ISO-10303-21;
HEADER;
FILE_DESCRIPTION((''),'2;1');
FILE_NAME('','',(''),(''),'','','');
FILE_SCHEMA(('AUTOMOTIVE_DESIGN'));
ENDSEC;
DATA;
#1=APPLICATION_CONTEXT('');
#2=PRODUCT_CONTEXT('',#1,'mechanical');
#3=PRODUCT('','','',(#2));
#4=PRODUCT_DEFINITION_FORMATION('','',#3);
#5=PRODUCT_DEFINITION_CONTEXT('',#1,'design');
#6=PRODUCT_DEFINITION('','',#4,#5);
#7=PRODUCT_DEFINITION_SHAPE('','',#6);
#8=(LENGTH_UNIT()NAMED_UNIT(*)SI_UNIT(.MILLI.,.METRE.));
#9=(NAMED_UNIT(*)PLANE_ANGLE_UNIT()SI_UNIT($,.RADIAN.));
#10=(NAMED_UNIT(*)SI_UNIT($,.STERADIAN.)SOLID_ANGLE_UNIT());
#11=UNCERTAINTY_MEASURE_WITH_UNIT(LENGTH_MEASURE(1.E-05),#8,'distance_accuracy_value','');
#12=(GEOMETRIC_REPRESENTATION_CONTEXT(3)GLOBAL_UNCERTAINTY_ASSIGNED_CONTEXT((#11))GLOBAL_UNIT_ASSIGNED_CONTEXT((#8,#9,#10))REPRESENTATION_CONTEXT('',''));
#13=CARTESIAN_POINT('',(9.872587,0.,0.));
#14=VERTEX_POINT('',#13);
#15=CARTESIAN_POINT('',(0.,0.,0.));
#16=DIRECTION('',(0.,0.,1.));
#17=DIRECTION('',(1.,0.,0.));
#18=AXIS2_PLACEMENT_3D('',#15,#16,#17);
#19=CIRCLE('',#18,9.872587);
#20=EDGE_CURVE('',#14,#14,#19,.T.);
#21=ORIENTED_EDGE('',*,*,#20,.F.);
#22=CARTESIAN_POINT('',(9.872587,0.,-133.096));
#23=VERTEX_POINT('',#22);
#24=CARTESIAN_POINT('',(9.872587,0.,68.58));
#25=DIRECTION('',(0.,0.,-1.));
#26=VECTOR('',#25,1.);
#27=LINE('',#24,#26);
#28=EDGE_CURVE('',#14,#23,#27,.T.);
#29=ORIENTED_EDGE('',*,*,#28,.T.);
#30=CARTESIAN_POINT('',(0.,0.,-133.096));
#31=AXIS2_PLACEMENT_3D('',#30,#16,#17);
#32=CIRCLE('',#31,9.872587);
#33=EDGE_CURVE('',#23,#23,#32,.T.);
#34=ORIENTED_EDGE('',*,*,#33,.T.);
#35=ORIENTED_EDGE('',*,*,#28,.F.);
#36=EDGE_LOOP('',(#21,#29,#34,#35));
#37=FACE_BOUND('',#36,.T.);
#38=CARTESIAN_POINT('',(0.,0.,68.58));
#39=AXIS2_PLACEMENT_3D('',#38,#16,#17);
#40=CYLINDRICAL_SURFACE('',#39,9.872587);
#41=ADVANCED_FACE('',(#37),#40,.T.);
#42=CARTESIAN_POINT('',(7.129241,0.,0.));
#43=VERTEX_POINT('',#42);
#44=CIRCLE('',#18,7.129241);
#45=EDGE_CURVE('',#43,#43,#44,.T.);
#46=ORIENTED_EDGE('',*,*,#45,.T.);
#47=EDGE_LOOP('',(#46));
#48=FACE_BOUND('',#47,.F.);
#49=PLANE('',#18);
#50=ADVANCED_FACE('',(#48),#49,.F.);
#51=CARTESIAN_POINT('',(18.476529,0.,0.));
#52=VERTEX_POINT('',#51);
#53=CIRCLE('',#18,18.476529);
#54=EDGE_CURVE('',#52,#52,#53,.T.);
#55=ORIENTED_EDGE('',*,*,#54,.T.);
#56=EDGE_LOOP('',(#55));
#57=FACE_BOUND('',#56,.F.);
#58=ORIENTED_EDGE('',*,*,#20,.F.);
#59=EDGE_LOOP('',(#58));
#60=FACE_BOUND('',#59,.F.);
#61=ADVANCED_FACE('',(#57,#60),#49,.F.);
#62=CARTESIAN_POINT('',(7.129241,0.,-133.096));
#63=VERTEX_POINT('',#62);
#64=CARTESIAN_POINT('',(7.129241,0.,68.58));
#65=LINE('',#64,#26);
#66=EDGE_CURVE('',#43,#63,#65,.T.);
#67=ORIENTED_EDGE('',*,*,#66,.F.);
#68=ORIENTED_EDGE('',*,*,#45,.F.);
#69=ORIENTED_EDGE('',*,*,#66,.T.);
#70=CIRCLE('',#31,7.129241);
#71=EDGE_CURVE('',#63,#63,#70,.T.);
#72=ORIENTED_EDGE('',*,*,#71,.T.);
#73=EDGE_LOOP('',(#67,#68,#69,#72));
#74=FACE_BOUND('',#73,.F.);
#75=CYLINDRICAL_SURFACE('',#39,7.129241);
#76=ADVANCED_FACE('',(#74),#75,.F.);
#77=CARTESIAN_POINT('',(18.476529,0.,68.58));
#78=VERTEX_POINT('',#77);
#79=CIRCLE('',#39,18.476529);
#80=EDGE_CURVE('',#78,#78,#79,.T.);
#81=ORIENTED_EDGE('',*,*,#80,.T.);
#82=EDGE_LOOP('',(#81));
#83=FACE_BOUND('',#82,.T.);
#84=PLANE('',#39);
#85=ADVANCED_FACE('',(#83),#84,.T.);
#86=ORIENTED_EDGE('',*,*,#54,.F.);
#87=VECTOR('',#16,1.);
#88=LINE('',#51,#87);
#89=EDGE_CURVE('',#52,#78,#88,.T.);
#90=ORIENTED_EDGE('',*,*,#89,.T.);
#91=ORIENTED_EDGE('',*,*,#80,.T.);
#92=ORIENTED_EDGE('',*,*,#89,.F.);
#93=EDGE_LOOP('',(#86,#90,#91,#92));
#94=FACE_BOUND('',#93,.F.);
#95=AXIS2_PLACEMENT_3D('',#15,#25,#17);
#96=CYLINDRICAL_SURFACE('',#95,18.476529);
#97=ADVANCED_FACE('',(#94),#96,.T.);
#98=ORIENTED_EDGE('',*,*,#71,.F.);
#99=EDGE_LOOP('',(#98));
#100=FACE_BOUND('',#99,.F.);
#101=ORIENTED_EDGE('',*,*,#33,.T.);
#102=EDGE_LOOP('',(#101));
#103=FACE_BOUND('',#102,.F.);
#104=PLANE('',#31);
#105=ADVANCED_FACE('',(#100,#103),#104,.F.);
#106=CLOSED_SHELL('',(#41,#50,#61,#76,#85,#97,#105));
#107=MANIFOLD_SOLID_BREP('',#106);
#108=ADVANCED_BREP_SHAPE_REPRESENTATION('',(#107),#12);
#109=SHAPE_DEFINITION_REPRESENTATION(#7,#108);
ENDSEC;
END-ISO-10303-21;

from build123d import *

# Parameters (mm, degrees)
F0_R     = 18.476529
F1_DEPTH = 68.58
F2_R     = 9.872587
F2_R_2   = 7.129241
F3_DEPTH = 201.676


with BuildPart() as f1:
    # F0 (on Top) → F1 (new body)
    with BuildSketch(Plane.XY):
        Circle(F0_R)
    extrude(amount=F1_DEPTH)

    # F2 (on face) → F3 (join)
    with BuildSketch(Plane.XY.offset(68.58)):
        Circle(F2_R)
        Circle(F2_R_2, mode=Mode.SUBTRACT)
    extrude(amount=-F3_DEPTH)


solid = f1.part
